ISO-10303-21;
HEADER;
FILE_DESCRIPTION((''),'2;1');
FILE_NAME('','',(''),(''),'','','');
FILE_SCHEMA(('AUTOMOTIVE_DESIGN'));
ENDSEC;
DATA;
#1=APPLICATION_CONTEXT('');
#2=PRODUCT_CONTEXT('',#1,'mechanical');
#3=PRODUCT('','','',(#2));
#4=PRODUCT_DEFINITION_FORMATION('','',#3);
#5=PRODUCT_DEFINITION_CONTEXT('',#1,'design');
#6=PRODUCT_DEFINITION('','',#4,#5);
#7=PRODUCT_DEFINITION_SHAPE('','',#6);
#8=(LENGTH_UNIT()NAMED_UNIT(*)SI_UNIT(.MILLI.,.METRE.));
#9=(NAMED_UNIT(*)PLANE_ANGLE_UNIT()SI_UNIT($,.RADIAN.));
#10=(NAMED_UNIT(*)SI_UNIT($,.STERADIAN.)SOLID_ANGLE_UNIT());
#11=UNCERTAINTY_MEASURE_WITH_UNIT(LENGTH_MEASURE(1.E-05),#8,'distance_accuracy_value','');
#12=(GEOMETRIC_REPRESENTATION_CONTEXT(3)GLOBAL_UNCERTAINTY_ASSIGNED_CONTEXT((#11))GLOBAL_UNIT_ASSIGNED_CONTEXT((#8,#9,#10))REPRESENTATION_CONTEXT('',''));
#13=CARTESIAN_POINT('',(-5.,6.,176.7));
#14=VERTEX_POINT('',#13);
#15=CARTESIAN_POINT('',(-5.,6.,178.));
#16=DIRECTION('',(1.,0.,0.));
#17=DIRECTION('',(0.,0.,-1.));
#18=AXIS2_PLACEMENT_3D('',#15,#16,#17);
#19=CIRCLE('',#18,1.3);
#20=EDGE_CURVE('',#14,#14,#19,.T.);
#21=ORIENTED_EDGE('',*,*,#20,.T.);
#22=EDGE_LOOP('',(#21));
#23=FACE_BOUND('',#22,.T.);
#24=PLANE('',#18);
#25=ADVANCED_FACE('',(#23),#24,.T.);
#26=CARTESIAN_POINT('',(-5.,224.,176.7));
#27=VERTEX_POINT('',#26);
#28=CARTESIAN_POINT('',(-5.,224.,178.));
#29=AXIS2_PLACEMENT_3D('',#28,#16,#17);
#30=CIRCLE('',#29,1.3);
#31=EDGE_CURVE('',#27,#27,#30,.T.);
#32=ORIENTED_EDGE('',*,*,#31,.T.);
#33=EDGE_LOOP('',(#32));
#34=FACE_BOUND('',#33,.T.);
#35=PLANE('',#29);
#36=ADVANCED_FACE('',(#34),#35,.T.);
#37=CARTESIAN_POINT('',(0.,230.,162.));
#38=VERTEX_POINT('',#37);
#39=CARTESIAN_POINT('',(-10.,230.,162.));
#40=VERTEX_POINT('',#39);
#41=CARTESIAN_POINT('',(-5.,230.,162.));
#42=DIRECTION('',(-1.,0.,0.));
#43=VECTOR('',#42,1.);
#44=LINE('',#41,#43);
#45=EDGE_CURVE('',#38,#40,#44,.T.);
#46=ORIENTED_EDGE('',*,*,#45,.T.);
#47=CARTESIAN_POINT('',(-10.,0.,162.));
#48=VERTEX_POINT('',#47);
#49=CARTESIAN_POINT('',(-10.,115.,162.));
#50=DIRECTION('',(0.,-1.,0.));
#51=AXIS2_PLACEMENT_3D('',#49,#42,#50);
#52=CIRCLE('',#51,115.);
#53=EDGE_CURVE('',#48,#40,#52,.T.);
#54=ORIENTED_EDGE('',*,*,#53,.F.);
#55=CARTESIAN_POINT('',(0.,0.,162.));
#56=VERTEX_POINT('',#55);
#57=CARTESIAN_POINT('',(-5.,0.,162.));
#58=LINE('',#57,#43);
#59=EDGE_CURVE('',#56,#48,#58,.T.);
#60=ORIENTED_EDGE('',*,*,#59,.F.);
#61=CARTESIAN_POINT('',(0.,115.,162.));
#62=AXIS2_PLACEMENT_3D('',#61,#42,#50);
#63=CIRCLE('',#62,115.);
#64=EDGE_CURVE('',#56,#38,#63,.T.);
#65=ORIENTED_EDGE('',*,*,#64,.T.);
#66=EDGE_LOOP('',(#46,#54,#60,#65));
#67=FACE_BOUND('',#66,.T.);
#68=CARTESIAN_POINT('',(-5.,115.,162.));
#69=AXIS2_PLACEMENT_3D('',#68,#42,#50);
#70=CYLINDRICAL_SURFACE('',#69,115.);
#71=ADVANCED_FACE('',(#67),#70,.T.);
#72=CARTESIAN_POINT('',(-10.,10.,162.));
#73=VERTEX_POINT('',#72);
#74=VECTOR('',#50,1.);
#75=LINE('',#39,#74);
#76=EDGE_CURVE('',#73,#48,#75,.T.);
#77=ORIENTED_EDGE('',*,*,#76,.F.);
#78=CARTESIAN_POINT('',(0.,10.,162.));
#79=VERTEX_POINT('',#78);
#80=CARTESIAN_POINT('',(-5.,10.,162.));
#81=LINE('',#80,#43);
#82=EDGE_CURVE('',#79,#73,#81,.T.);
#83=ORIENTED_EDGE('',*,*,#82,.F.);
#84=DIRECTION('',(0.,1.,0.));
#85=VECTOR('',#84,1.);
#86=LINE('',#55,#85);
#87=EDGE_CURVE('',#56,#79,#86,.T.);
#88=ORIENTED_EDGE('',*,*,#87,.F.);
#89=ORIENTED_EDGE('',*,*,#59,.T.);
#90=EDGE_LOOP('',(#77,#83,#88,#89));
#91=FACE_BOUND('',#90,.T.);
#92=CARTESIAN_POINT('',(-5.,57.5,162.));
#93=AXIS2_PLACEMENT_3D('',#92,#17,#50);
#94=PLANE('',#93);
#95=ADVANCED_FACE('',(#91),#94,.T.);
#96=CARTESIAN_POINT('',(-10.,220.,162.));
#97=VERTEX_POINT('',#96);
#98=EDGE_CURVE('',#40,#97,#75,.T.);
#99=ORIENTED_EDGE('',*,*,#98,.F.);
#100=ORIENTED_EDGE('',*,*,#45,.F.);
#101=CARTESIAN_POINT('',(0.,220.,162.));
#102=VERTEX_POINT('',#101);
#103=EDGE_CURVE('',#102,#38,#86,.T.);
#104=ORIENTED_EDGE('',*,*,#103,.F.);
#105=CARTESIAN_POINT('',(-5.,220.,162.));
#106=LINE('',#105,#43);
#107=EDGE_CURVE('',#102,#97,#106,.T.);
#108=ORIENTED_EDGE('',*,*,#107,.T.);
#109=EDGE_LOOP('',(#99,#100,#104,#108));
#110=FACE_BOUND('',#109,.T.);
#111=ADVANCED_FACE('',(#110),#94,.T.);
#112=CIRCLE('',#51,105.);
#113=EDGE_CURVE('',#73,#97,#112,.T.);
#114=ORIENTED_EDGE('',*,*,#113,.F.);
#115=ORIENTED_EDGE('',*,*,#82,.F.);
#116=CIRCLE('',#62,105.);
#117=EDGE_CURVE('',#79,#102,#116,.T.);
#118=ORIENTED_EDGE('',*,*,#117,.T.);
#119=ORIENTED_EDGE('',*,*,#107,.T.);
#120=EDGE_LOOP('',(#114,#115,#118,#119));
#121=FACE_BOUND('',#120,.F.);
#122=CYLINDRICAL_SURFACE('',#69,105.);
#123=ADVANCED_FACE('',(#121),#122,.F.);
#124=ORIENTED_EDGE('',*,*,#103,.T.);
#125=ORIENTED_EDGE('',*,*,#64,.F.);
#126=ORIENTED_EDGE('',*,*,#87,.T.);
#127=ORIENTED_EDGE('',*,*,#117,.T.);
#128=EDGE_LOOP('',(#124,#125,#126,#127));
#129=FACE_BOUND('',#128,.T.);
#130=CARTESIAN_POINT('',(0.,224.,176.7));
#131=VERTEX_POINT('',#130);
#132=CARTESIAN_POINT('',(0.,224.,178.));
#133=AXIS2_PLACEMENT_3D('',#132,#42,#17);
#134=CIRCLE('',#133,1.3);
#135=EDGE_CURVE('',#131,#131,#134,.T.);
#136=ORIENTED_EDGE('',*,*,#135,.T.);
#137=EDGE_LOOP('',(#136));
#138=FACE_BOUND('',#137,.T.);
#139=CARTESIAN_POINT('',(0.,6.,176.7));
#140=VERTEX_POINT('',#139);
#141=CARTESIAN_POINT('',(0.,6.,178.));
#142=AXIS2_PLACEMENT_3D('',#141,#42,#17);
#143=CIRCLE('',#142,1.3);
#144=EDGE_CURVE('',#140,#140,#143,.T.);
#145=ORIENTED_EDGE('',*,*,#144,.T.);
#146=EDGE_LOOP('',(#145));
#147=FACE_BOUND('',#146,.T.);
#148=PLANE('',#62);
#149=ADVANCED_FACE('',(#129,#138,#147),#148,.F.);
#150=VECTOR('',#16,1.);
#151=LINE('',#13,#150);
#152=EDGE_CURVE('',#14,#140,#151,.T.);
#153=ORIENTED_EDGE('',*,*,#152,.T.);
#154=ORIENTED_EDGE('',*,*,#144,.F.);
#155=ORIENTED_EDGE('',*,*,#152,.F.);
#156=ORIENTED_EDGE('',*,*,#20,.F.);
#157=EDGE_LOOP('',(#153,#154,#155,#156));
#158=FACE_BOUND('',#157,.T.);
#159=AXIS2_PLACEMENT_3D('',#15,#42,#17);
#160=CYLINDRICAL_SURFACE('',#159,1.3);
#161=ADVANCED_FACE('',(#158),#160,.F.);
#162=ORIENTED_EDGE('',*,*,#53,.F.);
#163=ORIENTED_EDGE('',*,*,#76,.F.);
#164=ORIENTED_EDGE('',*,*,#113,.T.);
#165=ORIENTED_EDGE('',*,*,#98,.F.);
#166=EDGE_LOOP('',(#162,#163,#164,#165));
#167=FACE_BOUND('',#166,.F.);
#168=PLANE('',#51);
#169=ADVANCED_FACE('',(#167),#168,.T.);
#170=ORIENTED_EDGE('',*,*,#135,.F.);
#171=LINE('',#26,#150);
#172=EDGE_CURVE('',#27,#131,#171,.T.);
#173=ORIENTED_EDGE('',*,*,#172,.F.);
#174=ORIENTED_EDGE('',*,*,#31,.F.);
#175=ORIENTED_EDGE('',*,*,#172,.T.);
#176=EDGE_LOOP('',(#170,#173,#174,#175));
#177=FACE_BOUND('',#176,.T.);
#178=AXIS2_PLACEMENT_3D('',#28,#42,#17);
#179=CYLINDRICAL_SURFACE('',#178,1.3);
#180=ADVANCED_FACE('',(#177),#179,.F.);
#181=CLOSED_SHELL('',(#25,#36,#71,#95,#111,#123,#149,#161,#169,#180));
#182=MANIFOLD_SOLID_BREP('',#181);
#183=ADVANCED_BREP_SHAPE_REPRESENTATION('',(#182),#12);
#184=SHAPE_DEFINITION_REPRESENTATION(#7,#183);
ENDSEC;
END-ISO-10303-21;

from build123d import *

# Parameters (mm, degrees)
CYLINDER076_R     = 1.3
CYLINDER076_DEPTH = 331
CYLINDER075_R     = 1.3
CYLINDER075_DEPTH = 331
CYLINDER074_W     = 105
CYLINDER074_H     = 10
CYLINDER074_ANGLE = 180
CYLINDER073_W     = 115
CYLINDER073_H     = 10
CYLINDER073_ANGLE = 180


with BuildPart() as cilindro076:
    # Cylinder076 → Cylinder076 (new body)
    with BuildSketch(Plane(origin=(5, 224, 178), x_dir=(0, 0, -1), z_dir=(1, 0, 0))):
        Circle(CYLINDER076_R)
    extrude(amount=CYLINDER076_DEPTH)


with BuildPart() as cilindro075:
    # Cylinder075 → Cylinder075 (new body)
    with BuildSketch(Plane(origin=(5, 6, 178), x_dir=(0, 0, -1), z_dir=(1, 0, 0))):
        Circle(CYLINDER075_R)
    extrude(amount=CYLINDER075_DEPTH)


with BuildPart() as cilindro074:
    # Cylinder074 → Cylinder074 (revolve)
    with BuildSketch(Plane(origin=(-3, 115, 171), x_dir=(0, -1, 0), z_dir=(0, 0, -1))):
        with Locations((52.5, 5)):
            Rectangle(CYLINDER074_W, CYLINDER074_H)
    revolve(axis=Axis((-3, 115, 171), (-1, 0, 0)), revolution_arc=CYLINDER074_ANGLE)


with BuildPart() as cut082:
    # Cylinder073 → Cylinder073 (revolve)
    with BuildSketch(Plane(origin=(-3, 115, 171), x_dir=(0, -1, 0), z_dir=(0, 0, -1))):
        with Locations((57.5, 5)):
            Rectangle(CYLINDER073_W, CYLINDER073_H)
    revolve(axis=Axis((-3, 115, 171), (-1, 0, 0)), revolution_arc=CYLINDER073_ANGLE)

    # Cut083: cut Cilindro074
    add(cilindro074.part, mode=Mode.SUBTRACT)


with BuildPart() as cut082_1:
    # Cut083 placement: moved
    add(cut082.part.moved(Location((13, 0, -9))))

    # Cut084: cut Cilindro075
    add(cilindro075.part, mode=Mode.SUBTRACT)

    # Cut082: cut Cilindro076
    add(cilindro076.part, mode=Mode.SUBTRACT)


with BuildPart() as cut082_2:
    # Cut082 placement: moved
    add(cut082_1.part.moved(Location((-10, 0, 0))))


solid = cut082_2.part
